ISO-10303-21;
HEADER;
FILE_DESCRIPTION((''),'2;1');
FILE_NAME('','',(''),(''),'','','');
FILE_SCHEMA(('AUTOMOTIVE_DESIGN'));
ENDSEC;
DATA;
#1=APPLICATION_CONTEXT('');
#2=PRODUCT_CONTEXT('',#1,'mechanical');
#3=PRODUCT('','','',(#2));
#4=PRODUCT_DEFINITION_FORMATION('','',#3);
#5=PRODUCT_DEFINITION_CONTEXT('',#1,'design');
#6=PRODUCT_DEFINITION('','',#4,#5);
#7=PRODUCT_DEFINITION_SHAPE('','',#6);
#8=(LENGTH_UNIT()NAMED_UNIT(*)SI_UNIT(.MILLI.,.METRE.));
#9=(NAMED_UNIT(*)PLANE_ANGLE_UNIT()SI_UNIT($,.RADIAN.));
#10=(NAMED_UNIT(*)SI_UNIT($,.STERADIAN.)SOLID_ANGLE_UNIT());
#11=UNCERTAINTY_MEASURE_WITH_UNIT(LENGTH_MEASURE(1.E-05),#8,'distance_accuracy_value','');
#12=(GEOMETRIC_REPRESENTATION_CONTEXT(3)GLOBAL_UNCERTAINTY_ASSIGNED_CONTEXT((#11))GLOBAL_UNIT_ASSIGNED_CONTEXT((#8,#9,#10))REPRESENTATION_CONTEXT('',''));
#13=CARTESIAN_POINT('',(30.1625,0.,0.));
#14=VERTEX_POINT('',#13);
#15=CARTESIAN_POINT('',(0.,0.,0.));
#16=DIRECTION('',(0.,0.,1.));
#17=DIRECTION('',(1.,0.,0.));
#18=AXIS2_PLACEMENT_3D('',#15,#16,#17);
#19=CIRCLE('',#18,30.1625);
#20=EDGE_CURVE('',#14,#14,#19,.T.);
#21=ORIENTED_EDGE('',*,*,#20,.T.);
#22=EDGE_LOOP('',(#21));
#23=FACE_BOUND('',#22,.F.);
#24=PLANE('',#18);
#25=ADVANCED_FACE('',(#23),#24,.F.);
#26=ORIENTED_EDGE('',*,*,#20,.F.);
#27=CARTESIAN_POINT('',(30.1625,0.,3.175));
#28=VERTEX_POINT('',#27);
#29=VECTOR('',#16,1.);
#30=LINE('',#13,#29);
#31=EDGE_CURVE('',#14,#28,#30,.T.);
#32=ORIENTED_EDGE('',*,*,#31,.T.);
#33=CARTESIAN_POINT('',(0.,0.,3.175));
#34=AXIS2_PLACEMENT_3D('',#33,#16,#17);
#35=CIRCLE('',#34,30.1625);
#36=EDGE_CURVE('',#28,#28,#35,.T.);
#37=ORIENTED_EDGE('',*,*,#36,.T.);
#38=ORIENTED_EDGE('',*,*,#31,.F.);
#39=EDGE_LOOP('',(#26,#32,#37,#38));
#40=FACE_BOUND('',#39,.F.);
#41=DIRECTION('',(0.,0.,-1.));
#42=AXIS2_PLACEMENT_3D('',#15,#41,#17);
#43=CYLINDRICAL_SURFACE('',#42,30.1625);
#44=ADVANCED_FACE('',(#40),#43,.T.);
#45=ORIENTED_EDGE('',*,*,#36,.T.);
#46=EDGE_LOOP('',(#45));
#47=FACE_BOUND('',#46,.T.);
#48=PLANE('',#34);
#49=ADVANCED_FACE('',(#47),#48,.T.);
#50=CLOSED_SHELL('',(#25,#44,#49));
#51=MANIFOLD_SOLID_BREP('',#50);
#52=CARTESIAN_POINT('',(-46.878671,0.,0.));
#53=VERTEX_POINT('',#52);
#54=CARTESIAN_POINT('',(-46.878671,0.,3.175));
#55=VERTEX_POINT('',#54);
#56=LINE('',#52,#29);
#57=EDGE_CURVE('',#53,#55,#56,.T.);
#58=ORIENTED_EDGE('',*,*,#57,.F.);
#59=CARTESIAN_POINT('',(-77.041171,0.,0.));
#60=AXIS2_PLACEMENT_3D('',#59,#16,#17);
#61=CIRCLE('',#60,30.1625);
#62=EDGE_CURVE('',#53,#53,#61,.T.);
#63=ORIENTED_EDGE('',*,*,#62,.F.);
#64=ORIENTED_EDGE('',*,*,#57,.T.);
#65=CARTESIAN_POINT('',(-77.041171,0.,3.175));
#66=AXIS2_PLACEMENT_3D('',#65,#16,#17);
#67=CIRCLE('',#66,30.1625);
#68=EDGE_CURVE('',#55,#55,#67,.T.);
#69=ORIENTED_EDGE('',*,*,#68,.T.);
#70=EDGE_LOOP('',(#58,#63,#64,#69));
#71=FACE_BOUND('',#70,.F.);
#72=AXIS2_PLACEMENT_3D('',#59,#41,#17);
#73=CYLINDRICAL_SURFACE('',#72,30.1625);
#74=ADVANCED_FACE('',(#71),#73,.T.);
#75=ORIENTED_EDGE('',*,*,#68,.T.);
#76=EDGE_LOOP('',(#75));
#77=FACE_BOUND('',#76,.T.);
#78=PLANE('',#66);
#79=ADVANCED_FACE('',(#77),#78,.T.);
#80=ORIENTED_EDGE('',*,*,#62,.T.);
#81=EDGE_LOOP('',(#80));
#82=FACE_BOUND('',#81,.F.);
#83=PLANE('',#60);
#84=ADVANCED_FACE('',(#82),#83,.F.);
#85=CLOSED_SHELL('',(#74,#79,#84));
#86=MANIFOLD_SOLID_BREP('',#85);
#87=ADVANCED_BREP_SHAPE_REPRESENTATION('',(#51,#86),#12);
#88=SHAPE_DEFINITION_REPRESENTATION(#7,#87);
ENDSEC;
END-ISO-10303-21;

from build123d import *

# Parameters (mm, degrees)
F0_R     = 30.1625
F1_DEPTH = 3.175


with BuildPart() as f1:
    # F0 (on Top) → F1 (new body)
    with BuildSketch(Plane.XY):
        with Locations((-77.041171, 0)):
            Circle(F0_R)
        Circle(F0_R)
    extrude(amount=F1_DEPTH)


solid = f1.part
